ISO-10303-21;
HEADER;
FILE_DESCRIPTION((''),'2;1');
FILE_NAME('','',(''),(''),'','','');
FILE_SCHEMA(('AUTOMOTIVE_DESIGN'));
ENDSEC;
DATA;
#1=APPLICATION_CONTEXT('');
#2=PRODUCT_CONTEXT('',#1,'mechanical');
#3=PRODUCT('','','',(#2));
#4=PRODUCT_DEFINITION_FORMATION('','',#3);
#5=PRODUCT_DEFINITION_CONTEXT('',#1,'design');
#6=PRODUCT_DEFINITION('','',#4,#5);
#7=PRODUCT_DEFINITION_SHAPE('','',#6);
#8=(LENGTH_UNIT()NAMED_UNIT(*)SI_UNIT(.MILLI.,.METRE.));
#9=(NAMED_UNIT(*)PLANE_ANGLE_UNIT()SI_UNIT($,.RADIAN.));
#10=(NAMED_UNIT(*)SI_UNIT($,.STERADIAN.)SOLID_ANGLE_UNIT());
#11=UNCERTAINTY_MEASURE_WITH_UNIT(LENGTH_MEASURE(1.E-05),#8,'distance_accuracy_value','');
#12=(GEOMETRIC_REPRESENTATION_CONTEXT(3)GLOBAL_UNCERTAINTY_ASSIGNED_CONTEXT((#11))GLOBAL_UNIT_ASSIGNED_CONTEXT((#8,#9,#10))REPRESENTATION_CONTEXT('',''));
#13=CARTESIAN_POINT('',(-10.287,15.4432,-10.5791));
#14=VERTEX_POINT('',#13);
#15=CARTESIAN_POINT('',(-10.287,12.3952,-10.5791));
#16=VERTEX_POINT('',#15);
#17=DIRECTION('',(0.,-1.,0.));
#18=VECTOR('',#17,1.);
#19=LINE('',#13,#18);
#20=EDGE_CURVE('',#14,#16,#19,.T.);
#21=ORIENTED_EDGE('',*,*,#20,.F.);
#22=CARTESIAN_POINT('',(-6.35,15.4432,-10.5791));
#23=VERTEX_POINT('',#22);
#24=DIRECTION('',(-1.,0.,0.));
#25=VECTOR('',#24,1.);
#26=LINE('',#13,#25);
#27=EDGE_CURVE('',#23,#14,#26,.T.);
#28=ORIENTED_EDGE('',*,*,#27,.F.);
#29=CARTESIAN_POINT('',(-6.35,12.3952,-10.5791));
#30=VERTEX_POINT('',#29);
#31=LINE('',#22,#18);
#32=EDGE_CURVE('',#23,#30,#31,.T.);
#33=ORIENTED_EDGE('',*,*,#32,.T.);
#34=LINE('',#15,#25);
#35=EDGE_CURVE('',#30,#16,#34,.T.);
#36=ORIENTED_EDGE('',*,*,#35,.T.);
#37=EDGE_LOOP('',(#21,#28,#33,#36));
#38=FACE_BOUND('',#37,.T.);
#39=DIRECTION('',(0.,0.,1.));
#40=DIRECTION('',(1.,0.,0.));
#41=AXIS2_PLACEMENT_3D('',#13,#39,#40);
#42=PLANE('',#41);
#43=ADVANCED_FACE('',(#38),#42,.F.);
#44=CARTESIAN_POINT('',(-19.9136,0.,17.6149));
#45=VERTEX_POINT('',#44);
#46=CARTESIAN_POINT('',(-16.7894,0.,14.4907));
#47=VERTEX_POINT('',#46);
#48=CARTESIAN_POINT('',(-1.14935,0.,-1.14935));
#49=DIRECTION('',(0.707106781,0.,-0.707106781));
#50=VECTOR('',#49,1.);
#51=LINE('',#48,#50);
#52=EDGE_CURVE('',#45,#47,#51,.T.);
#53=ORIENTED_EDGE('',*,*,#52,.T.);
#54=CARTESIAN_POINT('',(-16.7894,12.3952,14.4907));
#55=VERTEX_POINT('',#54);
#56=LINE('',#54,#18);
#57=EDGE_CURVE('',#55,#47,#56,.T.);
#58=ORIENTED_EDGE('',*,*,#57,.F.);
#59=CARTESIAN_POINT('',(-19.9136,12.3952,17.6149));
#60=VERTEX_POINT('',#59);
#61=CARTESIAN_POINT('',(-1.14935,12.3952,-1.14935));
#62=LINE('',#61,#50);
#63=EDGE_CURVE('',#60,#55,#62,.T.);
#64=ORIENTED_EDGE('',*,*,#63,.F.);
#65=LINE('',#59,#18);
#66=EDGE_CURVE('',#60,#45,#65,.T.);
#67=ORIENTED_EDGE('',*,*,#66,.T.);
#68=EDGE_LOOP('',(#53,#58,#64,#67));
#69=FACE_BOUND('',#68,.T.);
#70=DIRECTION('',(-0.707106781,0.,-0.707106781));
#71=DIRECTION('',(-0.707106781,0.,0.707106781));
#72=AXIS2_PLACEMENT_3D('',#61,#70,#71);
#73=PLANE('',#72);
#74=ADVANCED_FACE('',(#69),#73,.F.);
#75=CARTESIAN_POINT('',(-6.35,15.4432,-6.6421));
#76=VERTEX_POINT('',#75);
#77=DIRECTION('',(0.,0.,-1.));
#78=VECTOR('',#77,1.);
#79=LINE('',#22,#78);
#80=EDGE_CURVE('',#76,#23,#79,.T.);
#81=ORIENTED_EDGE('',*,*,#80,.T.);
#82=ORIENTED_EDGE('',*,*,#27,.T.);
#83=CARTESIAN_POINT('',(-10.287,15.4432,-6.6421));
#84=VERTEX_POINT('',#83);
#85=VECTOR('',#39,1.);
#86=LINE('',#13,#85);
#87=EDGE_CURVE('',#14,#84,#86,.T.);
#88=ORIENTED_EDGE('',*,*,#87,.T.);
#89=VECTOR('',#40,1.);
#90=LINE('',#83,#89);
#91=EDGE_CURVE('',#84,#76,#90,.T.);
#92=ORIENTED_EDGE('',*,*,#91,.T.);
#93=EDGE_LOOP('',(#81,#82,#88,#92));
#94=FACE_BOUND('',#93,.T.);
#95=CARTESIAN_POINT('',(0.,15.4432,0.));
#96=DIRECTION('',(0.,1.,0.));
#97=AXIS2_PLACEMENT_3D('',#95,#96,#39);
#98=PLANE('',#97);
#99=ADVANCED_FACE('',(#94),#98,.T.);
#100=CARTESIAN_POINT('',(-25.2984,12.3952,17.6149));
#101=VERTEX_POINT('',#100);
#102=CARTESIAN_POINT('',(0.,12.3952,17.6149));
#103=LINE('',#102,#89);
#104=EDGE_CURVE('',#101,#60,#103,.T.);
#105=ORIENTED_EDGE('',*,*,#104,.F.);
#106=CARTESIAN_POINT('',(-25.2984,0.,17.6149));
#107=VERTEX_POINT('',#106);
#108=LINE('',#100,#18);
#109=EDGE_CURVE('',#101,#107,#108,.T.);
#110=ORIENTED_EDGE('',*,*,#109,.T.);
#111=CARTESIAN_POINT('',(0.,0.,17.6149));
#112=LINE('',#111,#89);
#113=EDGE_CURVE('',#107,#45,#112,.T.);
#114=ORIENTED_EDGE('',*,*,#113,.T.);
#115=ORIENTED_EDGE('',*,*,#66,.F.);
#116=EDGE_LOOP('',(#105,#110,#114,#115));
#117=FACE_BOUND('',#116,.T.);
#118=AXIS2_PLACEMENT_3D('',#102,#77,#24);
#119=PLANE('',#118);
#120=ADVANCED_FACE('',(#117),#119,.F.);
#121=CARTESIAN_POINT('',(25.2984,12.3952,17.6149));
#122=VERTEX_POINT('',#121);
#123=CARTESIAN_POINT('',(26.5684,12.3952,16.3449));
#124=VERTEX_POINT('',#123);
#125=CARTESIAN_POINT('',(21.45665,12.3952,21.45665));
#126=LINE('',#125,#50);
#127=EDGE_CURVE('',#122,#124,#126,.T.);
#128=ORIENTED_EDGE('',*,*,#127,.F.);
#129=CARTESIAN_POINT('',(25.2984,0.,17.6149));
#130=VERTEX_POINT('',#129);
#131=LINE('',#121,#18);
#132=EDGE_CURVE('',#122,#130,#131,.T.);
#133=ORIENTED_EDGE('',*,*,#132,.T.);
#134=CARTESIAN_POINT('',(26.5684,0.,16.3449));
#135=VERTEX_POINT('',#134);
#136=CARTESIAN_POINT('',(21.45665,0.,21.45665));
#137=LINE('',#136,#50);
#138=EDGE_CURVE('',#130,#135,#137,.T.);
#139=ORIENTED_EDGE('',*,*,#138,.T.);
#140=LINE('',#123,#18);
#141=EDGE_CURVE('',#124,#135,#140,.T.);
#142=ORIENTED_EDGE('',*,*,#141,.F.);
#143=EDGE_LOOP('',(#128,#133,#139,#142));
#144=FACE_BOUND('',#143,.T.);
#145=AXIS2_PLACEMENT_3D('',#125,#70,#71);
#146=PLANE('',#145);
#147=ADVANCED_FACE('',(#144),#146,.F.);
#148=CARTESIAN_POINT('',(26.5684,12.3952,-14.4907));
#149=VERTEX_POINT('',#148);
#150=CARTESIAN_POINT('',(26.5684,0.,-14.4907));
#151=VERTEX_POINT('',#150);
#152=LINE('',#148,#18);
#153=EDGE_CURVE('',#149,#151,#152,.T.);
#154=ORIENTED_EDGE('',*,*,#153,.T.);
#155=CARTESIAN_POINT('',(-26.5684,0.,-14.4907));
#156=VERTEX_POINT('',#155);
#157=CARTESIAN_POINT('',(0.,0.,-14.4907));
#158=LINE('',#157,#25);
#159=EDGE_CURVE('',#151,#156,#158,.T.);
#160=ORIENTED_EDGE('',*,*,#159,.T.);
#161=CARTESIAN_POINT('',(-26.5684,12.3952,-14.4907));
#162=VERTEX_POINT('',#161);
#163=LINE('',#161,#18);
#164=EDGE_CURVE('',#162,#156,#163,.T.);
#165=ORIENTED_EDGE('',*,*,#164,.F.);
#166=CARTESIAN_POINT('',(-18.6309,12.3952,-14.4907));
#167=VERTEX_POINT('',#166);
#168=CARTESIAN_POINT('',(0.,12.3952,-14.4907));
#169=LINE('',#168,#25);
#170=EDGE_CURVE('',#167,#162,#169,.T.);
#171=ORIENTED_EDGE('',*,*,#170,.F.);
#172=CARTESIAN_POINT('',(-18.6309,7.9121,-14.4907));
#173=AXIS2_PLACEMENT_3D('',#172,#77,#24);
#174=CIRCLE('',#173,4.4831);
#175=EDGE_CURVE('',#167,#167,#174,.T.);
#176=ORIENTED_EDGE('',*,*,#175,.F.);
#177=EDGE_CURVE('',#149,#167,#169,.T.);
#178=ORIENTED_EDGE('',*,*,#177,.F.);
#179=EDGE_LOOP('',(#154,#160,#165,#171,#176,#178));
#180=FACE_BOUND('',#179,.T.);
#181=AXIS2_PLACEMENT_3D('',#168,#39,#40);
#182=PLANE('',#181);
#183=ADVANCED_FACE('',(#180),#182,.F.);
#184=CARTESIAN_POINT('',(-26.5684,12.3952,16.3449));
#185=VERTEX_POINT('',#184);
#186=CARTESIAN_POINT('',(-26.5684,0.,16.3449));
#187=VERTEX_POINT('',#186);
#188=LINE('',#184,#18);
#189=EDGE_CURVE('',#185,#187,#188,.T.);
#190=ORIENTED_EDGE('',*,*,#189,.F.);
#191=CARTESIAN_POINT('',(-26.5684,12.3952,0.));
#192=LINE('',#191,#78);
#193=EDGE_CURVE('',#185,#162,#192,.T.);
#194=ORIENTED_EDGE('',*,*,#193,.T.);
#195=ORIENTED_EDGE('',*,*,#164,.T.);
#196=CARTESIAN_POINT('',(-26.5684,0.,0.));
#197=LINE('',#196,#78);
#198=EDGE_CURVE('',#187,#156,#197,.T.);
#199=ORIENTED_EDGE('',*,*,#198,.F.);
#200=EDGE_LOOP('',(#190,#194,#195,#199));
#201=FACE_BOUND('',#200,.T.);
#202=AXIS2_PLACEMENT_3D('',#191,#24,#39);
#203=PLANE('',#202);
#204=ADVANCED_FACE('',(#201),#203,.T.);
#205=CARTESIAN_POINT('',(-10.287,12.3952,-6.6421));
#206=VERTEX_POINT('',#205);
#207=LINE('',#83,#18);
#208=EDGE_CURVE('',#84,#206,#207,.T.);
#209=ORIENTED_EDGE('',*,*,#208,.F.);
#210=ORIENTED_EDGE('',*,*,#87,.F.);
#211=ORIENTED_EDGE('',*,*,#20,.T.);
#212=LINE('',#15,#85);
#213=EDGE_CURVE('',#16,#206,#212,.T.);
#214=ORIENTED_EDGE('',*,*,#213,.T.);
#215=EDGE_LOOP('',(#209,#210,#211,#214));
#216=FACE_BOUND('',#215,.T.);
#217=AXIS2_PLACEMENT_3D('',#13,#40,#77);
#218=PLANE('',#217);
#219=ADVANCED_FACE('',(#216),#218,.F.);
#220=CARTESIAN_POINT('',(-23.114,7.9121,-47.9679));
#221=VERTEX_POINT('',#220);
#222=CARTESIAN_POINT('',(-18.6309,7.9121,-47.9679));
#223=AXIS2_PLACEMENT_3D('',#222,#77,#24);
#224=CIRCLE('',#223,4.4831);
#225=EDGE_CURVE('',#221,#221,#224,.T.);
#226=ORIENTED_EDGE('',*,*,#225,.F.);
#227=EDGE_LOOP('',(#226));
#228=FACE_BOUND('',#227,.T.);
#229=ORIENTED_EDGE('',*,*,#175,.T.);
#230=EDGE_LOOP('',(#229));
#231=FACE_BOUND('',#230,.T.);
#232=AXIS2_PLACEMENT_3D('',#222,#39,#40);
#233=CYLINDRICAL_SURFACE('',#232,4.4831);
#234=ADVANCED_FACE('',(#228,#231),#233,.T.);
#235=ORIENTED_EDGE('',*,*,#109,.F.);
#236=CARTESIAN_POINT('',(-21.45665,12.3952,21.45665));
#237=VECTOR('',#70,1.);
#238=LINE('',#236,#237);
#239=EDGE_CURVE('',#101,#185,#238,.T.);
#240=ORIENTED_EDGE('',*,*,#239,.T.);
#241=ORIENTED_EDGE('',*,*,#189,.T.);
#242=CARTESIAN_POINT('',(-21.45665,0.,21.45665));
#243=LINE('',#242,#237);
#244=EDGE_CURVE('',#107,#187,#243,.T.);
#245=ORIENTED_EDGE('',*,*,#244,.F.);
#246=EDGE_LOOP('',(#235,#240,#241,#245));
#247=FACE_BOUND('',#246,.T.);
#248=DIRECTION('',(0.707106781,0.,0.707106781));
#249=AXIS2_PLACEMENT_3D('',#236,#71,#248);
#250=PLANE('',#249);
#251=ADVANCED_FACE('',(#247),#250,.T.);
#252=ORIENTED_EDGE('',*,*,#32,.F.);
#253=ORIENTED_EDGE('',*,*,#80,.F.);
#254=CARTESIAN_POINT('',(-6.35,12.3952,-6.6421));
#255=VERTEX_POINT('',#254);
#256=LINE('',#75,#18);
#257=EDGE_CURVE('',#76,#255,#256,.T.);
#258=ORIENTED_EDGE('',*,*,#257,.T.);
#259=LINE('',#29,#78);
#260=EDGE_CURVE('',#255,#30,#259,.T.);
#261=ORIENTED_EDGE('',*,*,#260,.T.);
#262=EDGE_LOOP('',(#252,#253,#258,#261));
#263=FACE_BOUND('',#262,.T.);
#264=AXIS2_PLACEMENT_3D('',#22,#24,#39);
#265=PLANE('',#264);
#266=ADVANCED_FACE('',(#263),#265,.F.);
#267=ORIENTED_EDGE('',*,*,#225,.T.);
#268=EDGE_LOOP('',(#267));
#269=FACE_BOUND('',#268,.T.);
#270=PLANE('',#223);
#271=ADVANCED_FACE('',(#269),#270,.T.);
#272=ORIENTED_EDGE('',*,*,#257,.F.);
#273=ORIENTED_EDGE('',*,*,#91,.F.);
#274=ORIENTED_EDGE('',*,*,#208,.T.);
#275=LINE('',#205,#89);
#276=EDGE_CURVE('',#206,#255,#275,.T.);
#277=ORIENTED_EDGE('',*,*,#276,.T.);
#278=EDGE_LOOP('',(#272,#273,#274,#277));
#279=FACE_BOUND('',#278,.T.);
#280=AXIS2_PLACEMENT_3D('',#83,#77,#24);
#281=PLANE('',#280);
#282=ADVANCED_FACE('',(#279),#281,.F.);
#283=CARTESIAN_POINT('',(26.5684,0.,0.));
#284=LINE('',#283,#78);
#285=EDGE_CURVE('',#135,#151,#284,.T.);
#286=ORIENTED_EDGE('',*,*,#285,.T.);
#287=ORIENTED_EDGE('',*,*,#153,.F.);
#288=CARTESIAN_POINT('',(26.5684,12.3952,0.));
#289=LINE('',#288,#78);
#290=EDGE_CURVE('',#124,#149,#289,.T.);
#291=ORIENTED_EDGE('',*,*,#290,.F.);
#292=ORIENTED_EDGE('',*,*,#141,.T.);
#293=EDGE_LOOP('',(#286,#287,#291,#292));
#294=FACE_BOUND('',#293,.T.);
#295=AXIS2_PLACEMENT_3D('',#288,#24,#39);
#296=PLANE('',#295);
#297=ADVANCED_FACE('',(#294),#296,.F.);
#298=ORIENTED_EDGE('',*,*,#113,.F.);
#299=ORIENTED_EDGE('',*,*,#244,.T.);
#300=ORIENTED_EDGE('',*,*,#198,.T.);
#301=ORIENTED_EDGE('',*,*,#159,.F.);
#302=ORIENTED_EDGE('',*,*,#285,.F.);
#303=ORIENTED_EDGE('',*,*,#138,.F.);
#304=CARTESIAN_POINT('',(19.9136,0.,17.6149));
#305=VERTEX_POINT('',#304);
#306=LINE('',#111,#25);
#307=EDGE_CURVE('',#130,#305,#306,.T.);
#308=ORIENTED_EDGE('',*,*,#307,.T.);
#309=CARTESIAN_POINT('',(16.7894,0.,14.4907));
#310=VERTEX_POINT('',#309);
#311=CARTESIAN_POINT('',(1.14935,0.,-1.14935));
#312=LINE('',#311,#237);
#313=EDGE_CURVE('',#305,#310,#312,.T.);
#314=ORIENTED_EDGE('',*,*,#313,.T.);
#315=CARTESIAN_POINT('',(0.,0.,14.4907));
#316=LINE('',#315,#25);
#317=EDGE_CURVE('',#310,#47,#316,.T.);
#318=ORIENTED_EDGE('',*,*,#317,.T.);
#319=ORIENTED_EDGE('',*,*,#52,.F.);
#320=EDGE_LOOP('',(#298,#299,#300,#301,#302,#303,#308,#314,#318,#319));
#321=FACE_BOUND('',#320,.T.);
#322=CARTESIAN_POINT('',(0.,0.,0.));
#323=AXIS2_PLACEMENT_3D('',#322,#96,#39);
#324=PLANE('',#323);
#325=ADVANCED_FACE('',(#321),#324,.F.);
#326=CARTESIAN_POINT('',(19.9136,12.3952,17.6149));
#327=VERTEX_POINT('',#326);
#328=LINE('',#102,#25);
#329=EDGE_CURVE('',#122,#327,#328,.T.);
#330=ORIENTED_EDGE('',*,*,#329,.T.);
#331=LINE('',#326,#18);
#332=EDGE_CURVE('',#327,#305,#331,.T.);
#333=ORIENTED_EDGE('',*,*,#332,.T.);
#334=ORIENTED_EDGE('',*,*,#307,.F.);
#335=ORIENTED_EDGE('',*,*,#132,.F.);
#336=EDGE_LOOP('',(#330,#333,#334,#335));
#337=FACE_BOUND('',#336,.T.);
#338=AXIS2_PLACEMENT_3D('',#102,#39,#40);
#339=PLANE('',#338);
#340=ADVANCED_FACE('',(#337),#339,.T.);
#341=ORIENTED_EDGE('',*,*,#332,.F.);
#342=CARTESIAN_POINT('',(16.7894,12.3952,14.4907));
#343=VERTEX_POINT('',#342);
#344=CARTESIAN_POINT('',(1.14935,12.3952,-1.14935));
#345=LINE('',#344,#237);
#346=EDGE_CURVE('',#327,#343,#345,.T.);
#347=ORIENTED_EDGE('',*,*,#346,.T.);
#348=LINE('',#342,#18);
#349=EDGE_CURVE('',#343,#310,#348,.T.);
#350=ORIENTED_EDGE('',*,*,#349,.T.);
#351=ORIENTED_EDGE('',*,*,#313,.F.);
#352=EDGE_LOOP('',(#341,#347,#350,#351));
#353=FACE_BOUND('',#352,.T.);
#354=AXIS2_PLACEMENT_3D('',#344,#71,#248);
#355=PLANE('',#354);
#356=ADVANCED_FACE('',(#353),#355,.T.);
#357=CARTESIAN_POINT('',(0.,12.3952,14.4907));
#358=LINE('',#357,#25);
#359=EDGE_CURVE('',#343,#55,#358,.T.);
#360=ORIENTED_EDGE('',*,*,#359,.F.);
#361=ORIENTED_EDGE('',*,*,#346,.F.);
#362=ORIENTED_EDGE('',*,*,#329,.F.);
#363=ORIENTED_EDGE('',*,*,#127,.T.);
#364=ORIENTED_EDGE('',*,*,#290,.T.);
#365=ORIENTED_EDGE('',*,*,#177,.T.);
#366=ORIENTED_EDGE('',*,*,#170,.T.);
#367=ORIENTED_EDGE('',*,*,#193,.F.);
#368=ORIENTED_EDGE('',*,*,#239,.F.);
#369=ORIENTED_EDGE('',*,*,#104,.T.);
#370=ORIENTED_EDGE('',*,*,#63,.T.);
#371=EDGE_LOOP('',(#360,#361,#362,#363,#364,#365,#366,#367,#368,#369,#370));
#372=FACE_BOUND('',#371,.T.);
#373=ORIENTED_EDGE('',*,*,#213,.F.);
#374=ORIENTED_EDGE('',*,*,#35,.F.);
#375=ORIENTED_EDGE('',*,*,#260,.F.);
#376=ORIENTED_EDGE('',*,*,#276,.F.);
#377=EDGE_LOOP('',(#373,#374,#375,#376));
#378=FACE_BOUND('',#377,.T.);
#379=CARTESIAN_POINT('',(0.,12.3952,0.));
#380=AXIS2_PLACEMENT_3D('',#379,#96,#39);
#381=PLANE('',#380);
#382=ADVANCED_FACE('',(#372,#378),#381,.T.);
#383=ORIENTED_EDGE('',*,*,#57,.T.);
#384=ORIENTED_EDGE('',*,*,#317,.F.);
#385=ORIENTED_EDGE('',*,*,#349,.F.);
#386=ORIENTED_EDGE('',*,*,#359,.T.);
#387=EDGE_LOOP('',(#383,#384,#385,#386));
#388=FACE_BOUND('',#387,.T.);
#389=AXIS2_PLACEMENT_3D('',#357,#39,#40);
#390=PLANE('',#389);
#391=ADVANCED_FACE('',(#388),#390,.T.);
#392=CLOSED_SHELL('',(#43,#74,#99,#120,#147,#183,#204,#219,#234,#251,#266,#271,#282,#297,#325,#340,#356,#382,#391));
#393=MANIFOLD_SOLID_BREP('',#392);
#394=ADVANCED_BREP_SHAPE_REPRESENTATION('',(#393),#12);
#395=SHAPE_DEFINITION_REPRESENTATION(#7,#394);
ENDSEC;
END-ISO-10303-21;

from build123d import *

# Parameters (mm, degrees)
SKETCH2_W           = 53.1368
SKETCH2_H           = 28.9814
SKETCH2_W_2         = 5.3848
SKETCH2_H_2         = 3.1242
BOSS_EXTRUDE1_DEPTH = 12.3952
SKETCH3_R           = 4.4831
BOSS_EXTRUDE2_DEPTH = 33.4772
SKETCH5_W           = 3.937
SKETCH5_H           = 3.937
BOSS_EXTRUDE3_DEPTH = 3.048


with BuildPart() as part:
    # Sketch2 → Boss-Extrude1 (new body)
    with BuildSketch(Plane(origin=(0, 0, 0), x_dir=(1, 0, 0), z_dir=(0, 1, 0))):
        Rectangle(SKETCH2_W, SKETCH2_H)
        Polygon((26.5684, -14.4907), (25.2984, -14.4907), (25.2984, -17.6149), (26.5684, -16.3449), align=None)
        with Locations((22.606, -16.0528)):
            Rectangle(SKETCH2_W_2, SKETCH2_H_2)
        Polygon((19.9136, -14.4907), (16.7894, -14.4907), (19.9136, -17.6149), align=None)
        Polygon((-26.5684, -16.3449), (-25.2984, -17.6149), (-25.2984, -14.4907), (-26.5684, -14.4907), align=None)
        with Locations((-22.606, -16.0528)):
            Rectangle(SKETCH2_W_2, SKETCH2_H_2)
        Polygon((-19.9136, -14.4907), (-19.9136, -17.6149), (-16.7894, -14.4907), align=None)
    extrude(amount=BOSS_EXTRUDE1_DEPTH)

    # Sketch3 → Boss-Extrude2 (add)
    with BuildSketch(Plane(origin=(0, 0, -14.4907), x_dir=(-1, 0, 0), z_dir=(0, 0, -1))):
        with Locations(Location((18.6309, 7.9121, 0), (0, 0, 90))):
            Circle(SKETCH3_R)
    extrude(amount=BOSS_EXTRUDE2_DEPTH)

    # Sketch5 → Boss-Extrude3 (add)
    with BuildSketch(Plane(origin=(0, 12.3952, 0), x_dir=(1, 0, 0), z_dir=(0, 1, 0))):
        with Locations((-8.3185, 8.6106)):
            Rectangle(SKETCH5_W, SKETCH5_H)
    extrude(amount=BOSS_EXTRUDE3_DEPTH)


solid = part.part
